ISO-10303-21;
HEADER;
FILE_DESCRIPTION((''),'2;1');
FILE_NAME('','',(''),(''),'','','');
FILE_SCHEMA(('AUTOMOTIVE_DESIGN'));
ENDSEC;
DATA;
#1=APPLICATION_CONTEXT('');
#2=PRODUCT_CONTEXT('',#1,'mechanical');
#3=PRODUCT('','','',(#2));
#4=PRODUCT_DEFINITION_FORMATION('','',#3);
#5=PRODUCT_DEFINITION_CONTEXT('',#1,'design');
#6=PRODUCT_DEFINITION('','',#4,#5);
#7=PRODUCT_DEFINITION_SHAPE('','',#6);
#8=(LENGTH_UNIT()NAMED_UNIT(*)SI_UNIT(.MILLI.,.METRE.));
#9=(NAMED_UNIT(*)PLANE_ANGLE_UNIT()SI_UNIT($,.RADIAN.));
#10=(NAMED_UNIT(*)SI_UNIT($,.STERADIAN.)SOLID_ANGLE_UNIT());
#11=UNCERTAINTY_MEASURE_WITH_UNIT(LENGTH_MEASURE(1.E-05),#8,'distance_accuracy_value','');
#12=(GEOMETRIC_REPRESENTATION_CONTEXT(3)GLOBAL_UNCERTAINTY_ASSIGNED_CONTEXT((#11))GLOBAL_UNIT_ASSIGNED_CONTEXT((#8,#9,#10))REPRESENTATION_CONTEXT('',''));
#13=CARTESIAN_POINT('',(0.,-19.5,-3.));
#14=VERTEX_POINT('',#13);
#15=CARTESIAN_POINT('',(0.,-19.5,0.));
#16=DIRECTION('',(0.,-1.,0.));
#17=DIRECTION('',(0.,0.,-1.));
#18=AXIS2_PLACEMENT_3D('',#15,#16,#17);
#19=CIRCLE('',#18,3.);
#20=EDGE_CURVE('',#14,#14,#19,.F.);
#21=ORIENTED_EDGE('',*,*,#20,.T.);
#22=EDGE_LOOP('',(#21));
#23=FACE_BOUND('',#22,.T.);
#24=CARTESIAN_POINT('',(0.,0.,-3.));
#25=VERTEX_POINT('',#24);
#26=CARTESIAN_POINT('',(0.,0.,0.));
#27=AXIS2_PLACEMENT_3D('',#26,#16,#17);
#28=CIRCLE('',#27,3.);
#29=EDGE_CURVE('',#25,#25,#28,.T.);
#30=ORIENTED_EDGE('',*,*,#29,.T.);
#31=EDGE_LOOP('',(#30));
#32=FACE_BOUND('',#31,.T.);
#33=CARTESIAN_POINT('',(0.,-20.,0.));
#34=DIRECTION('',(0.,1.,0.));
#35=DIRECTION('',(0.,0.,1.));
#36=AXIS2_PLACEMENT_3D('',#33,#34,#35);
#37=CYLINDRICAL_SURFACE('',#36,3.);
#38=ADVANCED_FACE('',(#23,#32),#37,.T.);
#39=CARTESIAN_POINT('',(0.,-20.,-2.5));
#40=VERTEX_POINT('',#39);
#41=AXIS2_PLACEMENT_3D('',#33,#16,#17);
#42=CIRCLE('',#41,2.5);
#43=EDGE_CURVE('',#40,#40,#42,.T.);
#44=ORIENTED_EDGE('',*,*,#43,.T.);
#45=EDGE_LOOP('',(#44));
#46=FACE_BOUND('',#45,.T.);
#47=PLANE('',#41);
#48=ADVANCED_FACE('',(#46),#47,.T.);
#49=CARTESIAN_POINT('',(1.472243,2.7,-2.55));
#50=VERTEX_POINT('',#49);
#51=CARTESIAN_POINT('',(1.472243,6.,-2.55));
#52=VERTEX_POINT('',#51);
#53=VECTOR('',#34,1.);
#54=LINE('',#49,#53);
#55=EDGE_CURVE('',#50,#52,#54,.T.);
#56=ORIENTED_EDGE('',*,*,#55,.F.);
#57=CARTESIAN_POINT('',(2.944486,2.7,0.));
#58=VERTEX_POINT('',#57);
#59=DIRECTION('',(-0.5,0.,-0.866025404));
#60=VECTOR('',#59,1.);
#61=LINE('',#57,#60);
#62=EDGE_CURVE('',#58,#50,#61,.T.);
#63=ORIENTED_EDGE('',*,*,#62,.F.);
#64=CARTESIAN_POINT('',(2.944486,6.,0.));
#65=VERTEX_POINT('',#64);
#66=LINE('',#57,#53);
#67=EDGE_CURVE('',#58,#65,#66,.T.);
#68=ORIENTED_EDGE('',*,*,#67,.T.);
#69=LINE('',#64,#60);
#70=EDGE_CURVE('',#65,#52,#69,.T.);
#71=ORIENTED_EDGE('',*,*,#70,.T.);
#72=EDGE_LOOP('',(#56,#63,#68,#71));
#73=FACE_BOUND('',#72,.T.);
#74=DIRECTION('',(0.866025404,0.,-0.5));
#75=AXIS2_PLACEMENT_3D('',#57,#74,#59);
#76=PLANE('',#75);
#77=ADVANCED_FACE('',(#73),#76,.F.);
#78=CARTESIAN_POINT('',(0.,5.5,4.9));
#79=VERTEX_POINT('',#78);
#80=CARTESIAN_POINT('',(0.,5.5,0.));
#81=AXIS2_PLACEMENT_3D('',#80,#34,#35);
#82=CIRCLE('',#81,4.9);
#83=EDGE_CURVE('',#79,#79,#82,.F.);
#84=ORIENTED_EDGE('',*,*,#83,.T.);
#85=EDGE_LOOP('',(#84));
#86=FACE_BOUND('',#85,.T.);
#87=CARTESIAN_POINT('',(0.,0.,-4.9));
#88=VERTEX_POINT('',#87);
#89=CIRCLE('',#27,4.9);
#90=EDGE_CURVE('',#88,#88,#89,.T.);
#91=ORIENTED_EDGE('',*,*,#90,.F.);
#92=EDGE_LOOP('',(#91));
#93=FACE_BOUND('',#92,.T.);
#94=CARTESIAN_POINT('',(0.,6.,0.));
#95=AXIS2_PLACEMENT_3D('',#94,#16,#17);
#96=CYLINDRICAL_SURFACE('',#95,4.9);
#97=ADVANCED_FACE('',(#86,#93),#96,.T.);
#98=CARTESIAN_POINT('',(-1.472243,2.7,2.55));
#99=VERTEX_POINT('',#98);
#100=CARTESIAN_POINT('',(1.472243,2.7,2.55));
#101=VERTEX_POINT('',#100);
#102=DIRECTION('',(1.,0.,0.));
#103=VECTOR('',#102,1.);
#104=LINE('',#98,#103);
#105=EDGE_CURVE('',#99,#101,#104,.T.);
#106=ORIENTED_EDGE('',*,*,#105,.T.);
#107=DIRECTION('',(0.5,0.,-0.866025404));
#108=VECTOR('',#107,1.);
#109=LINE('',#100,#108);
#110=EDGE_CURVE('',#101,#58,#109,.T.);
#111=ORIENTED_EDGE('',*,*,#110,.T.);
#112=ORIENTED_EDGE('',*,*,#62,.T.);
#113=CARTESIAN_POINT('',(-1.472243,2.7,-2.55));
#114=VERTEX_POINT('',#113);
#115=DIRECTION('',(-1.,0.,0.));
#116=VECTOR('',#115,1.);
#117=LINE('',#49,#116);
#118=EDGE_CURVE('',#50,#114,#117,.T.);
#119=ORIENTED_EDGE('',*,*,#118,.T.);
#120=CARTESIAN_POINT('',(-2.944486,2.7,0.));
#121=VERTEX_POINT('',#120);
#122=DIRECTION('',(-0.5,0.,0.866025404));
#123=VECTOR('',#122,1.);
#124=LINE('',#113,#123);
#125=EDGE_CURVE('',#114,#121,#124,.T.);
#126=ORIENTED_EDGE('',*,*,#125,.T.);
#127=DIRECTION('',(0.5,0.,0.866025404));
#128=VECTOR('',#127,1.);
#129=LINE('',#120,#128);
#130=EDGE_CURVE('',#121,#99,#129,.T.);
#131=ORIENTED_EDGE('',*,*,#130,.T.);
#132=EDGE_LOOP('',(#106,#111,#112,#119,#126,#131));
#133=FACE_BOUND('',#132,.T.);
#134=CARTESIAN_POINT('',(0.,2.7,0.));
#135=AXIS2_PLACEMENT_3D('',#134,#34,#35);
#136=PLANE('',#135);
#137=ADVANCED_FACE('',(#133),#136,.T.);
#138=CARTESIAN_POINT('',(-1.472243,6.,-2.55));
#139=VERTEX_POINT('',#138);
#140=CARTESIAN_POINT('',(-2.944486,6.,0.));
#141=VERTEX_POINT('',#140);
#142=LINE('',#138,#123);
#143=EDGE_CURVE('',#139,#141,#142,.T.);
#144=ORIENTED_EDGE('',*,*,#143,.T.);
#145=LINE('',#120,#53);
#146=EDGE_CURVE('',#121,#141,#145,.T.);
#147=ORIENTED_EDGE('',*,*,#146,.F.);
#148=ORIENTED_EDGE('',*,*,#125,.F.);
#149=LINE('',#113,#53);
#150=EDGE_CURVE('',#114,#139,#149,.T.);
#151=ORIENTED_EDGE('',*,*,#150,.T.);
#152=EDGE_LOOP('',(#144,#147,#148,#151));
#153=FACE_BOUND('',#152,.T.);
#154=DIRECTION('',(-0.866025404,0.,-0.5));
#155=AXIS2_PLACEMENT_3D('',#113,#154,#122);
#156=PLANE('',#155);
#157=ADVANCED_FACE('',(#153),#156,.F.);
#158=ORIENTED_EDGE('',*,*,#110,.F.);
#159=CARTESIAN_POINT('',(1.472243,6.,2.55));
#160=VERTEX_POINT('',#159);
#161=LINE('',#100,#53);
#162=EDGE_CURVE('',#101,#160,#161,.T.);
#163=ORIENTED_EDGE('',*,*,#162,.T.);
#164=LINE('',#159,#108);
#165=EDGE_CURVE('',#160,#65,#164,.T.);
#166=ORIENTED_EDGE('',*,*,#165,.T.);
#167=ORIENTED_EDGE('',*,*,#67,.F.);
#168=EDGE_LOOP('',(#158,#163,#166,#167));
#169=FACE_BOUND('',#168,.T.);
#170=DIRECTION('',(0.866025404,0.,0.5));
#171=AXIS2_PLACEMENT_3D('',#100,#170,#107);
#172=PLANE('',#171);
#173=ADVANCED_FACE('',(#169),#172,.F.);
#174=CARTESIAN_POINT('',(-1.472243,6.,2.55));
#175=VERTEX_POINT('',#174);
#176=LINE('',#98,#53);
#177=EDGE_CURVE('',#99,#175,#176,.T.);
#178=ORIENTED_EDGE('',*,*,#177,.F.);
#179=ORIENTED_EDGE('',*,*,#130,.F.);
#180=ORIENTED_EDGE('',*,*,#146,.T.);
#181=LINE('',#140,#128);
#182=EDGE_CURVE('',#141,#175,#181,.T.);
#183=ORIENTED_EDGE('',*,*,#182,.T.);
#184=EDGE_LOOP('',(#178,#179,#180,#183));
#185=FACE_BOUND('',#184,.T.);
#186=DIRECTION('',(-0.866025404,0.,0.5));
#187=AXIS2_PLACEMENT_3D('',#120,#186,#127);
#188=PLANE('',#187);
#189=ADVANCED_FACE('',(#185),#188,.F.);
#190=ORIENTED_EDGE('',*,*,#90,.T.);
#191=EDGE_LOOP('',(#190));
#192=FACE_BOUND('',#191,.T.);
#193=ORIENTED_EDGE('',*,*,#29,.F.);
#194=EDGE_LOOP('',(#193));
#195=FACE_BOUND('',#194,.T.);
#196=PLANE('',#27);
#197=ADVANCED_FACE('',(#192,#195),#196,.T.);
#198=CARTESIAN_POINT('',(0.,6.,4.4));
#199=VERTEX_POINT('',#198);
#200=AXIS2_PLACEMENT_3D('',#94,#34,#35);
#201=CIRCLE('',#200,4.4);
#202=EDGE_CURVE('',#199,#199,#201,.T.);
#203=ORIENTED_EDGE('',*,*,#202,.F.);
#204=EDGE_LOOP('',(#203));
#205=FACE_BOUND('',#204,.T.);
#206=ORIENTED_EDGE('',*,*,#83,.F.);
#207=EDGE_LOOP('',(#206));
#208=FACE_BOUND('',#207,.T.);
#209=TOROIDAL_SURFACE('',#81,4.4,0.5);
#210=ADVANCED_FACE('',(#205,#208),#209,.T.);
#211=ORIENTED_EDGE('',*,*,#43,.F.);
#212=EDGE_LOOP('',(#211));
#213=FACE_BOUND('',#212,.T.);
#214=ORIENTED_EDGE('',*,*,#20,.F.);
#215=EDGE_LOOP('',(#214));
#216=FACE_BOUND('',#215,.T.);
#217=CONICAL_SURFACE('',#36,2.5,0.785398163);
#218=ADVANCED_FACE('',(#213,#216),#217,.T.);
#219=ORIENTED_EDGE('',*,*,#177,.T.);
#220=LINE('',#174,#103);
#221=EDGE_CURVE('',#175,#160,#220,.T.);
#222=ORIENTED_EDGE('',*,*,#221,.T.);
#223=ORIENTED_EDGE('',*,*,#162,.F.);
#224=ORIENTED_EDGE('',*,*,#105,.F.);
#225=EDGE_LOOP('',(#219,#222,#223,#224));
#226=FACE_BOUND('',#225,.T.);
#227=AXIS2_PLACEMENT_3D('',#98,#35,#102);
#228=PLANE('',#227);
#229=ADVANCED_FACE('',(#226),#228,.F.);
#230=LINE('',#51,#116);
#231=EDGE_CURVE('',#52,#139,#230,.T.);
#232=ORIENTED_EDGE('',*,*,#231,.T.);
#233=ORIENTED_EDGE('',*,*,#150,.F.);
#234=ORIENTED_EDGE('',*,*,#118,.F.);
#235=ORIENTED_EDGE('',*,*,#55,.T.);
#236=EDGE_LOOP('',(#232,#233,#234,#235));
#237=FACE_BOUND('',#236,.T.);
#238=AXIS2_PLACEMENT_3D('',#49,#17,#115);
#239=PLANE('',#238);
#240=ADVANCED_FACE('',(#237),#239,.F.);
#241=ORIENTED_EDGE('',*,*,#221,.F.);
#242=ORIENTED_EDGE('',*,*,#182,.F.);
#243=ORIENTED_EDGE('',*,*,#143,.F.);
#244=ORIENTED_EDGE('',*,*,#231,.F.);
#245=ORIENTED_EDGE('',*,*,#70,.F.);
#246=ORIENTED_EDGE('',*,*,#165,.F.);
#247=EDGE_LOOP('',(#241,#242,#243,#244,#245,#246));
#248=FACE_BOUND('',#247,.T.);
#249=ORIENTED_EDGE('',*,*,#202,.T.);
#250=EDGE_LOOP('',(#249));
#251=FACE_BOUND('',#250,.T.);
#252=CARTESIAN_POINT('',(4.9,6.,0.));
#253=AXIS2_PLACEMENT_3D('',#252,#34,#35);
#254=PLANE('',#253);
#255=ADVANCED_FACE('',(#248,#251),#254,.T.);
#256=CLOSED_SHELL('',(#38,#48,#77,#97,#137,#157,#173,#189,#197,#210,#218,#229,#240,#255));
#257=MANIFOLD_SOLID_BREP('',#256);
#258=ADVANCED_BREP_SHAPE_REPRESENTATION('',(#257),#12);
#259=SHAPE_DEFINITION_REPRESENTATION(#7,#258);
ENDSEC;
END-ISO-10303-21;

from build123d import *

# Parameters (mm, degrees)
ESQUISSE1_W             = 4.9
ESQUISSE1_H             = 6
ESQUISSE2_R             = 3
BOSS_EXTRU_1_DEPTH      = 20
ENL_V_MAT_EXTRU_1_DEPTH = 3.3
CHANFREIN1_SIZE         = 0.5
CONG_1_R                = 0.5


with BuildPart() as part:
    # Esquisse1 → Révolution1 (revolve)
    with BuildSketch(Plane.XY, mode=Mode.PRIVATE) as r_volution1_sk:
        with Locations((2.45, 3)):
            Rectangle(ESQUISSE1_W, ESQUISSE1_H)
    revolve(r_volution1_sk.sketch.rotate(Axis((0, 6, 0), (0, -1, 0)), 270), axis=Axis((0, 6, 0), (0, -1, 0)))

    # Esquisse2 → Boss.-Extru.1 (add)
    with BuildSketch(Plane.XZ):
        with Locations(Location((0, 0, 0), (0, 0, 270))):
            Circle(ESQUISSE2_R)
    extrude(amount=BOSS_EXTRU_1_DEPTH)

    # Esquisse3 → Enlèv. mat.-Extru.1 (cut)
    with BuildSketch(Plane(origin=(0, 6, 0), x_dir=(-1, 0, 0), z_dir=(0, 1, 0))):
        Polygon((1.472243186, 2.55), (-1.472243186, 2.55), (-2.944486373, 0), (-1.472243186, -2.55), (1.472243186, -2.55), (2.944486373, 0), align=None)
    extrude(amount=-ENL_V_MAT_EXTRU_1_DEPTH, mode=Mode.SUBTRACT)

    # Chanfrein1
    chanfrein1_edges = [part.edges().sort_by_distance(p)[0] for p in [
        (0, -20, 3),
    ]]
    chamfer(chanfrein1_edges, length=CHANFREIN1_SIZE)

    # Congé1
    cong_1_edges = [part.edges().sort_by_distance(p)[0] for p in [
        (0, 6, 4.9),
    ]]
    fillet(cong_1_edges, radius=CONG_1_R)


solid = part.part
